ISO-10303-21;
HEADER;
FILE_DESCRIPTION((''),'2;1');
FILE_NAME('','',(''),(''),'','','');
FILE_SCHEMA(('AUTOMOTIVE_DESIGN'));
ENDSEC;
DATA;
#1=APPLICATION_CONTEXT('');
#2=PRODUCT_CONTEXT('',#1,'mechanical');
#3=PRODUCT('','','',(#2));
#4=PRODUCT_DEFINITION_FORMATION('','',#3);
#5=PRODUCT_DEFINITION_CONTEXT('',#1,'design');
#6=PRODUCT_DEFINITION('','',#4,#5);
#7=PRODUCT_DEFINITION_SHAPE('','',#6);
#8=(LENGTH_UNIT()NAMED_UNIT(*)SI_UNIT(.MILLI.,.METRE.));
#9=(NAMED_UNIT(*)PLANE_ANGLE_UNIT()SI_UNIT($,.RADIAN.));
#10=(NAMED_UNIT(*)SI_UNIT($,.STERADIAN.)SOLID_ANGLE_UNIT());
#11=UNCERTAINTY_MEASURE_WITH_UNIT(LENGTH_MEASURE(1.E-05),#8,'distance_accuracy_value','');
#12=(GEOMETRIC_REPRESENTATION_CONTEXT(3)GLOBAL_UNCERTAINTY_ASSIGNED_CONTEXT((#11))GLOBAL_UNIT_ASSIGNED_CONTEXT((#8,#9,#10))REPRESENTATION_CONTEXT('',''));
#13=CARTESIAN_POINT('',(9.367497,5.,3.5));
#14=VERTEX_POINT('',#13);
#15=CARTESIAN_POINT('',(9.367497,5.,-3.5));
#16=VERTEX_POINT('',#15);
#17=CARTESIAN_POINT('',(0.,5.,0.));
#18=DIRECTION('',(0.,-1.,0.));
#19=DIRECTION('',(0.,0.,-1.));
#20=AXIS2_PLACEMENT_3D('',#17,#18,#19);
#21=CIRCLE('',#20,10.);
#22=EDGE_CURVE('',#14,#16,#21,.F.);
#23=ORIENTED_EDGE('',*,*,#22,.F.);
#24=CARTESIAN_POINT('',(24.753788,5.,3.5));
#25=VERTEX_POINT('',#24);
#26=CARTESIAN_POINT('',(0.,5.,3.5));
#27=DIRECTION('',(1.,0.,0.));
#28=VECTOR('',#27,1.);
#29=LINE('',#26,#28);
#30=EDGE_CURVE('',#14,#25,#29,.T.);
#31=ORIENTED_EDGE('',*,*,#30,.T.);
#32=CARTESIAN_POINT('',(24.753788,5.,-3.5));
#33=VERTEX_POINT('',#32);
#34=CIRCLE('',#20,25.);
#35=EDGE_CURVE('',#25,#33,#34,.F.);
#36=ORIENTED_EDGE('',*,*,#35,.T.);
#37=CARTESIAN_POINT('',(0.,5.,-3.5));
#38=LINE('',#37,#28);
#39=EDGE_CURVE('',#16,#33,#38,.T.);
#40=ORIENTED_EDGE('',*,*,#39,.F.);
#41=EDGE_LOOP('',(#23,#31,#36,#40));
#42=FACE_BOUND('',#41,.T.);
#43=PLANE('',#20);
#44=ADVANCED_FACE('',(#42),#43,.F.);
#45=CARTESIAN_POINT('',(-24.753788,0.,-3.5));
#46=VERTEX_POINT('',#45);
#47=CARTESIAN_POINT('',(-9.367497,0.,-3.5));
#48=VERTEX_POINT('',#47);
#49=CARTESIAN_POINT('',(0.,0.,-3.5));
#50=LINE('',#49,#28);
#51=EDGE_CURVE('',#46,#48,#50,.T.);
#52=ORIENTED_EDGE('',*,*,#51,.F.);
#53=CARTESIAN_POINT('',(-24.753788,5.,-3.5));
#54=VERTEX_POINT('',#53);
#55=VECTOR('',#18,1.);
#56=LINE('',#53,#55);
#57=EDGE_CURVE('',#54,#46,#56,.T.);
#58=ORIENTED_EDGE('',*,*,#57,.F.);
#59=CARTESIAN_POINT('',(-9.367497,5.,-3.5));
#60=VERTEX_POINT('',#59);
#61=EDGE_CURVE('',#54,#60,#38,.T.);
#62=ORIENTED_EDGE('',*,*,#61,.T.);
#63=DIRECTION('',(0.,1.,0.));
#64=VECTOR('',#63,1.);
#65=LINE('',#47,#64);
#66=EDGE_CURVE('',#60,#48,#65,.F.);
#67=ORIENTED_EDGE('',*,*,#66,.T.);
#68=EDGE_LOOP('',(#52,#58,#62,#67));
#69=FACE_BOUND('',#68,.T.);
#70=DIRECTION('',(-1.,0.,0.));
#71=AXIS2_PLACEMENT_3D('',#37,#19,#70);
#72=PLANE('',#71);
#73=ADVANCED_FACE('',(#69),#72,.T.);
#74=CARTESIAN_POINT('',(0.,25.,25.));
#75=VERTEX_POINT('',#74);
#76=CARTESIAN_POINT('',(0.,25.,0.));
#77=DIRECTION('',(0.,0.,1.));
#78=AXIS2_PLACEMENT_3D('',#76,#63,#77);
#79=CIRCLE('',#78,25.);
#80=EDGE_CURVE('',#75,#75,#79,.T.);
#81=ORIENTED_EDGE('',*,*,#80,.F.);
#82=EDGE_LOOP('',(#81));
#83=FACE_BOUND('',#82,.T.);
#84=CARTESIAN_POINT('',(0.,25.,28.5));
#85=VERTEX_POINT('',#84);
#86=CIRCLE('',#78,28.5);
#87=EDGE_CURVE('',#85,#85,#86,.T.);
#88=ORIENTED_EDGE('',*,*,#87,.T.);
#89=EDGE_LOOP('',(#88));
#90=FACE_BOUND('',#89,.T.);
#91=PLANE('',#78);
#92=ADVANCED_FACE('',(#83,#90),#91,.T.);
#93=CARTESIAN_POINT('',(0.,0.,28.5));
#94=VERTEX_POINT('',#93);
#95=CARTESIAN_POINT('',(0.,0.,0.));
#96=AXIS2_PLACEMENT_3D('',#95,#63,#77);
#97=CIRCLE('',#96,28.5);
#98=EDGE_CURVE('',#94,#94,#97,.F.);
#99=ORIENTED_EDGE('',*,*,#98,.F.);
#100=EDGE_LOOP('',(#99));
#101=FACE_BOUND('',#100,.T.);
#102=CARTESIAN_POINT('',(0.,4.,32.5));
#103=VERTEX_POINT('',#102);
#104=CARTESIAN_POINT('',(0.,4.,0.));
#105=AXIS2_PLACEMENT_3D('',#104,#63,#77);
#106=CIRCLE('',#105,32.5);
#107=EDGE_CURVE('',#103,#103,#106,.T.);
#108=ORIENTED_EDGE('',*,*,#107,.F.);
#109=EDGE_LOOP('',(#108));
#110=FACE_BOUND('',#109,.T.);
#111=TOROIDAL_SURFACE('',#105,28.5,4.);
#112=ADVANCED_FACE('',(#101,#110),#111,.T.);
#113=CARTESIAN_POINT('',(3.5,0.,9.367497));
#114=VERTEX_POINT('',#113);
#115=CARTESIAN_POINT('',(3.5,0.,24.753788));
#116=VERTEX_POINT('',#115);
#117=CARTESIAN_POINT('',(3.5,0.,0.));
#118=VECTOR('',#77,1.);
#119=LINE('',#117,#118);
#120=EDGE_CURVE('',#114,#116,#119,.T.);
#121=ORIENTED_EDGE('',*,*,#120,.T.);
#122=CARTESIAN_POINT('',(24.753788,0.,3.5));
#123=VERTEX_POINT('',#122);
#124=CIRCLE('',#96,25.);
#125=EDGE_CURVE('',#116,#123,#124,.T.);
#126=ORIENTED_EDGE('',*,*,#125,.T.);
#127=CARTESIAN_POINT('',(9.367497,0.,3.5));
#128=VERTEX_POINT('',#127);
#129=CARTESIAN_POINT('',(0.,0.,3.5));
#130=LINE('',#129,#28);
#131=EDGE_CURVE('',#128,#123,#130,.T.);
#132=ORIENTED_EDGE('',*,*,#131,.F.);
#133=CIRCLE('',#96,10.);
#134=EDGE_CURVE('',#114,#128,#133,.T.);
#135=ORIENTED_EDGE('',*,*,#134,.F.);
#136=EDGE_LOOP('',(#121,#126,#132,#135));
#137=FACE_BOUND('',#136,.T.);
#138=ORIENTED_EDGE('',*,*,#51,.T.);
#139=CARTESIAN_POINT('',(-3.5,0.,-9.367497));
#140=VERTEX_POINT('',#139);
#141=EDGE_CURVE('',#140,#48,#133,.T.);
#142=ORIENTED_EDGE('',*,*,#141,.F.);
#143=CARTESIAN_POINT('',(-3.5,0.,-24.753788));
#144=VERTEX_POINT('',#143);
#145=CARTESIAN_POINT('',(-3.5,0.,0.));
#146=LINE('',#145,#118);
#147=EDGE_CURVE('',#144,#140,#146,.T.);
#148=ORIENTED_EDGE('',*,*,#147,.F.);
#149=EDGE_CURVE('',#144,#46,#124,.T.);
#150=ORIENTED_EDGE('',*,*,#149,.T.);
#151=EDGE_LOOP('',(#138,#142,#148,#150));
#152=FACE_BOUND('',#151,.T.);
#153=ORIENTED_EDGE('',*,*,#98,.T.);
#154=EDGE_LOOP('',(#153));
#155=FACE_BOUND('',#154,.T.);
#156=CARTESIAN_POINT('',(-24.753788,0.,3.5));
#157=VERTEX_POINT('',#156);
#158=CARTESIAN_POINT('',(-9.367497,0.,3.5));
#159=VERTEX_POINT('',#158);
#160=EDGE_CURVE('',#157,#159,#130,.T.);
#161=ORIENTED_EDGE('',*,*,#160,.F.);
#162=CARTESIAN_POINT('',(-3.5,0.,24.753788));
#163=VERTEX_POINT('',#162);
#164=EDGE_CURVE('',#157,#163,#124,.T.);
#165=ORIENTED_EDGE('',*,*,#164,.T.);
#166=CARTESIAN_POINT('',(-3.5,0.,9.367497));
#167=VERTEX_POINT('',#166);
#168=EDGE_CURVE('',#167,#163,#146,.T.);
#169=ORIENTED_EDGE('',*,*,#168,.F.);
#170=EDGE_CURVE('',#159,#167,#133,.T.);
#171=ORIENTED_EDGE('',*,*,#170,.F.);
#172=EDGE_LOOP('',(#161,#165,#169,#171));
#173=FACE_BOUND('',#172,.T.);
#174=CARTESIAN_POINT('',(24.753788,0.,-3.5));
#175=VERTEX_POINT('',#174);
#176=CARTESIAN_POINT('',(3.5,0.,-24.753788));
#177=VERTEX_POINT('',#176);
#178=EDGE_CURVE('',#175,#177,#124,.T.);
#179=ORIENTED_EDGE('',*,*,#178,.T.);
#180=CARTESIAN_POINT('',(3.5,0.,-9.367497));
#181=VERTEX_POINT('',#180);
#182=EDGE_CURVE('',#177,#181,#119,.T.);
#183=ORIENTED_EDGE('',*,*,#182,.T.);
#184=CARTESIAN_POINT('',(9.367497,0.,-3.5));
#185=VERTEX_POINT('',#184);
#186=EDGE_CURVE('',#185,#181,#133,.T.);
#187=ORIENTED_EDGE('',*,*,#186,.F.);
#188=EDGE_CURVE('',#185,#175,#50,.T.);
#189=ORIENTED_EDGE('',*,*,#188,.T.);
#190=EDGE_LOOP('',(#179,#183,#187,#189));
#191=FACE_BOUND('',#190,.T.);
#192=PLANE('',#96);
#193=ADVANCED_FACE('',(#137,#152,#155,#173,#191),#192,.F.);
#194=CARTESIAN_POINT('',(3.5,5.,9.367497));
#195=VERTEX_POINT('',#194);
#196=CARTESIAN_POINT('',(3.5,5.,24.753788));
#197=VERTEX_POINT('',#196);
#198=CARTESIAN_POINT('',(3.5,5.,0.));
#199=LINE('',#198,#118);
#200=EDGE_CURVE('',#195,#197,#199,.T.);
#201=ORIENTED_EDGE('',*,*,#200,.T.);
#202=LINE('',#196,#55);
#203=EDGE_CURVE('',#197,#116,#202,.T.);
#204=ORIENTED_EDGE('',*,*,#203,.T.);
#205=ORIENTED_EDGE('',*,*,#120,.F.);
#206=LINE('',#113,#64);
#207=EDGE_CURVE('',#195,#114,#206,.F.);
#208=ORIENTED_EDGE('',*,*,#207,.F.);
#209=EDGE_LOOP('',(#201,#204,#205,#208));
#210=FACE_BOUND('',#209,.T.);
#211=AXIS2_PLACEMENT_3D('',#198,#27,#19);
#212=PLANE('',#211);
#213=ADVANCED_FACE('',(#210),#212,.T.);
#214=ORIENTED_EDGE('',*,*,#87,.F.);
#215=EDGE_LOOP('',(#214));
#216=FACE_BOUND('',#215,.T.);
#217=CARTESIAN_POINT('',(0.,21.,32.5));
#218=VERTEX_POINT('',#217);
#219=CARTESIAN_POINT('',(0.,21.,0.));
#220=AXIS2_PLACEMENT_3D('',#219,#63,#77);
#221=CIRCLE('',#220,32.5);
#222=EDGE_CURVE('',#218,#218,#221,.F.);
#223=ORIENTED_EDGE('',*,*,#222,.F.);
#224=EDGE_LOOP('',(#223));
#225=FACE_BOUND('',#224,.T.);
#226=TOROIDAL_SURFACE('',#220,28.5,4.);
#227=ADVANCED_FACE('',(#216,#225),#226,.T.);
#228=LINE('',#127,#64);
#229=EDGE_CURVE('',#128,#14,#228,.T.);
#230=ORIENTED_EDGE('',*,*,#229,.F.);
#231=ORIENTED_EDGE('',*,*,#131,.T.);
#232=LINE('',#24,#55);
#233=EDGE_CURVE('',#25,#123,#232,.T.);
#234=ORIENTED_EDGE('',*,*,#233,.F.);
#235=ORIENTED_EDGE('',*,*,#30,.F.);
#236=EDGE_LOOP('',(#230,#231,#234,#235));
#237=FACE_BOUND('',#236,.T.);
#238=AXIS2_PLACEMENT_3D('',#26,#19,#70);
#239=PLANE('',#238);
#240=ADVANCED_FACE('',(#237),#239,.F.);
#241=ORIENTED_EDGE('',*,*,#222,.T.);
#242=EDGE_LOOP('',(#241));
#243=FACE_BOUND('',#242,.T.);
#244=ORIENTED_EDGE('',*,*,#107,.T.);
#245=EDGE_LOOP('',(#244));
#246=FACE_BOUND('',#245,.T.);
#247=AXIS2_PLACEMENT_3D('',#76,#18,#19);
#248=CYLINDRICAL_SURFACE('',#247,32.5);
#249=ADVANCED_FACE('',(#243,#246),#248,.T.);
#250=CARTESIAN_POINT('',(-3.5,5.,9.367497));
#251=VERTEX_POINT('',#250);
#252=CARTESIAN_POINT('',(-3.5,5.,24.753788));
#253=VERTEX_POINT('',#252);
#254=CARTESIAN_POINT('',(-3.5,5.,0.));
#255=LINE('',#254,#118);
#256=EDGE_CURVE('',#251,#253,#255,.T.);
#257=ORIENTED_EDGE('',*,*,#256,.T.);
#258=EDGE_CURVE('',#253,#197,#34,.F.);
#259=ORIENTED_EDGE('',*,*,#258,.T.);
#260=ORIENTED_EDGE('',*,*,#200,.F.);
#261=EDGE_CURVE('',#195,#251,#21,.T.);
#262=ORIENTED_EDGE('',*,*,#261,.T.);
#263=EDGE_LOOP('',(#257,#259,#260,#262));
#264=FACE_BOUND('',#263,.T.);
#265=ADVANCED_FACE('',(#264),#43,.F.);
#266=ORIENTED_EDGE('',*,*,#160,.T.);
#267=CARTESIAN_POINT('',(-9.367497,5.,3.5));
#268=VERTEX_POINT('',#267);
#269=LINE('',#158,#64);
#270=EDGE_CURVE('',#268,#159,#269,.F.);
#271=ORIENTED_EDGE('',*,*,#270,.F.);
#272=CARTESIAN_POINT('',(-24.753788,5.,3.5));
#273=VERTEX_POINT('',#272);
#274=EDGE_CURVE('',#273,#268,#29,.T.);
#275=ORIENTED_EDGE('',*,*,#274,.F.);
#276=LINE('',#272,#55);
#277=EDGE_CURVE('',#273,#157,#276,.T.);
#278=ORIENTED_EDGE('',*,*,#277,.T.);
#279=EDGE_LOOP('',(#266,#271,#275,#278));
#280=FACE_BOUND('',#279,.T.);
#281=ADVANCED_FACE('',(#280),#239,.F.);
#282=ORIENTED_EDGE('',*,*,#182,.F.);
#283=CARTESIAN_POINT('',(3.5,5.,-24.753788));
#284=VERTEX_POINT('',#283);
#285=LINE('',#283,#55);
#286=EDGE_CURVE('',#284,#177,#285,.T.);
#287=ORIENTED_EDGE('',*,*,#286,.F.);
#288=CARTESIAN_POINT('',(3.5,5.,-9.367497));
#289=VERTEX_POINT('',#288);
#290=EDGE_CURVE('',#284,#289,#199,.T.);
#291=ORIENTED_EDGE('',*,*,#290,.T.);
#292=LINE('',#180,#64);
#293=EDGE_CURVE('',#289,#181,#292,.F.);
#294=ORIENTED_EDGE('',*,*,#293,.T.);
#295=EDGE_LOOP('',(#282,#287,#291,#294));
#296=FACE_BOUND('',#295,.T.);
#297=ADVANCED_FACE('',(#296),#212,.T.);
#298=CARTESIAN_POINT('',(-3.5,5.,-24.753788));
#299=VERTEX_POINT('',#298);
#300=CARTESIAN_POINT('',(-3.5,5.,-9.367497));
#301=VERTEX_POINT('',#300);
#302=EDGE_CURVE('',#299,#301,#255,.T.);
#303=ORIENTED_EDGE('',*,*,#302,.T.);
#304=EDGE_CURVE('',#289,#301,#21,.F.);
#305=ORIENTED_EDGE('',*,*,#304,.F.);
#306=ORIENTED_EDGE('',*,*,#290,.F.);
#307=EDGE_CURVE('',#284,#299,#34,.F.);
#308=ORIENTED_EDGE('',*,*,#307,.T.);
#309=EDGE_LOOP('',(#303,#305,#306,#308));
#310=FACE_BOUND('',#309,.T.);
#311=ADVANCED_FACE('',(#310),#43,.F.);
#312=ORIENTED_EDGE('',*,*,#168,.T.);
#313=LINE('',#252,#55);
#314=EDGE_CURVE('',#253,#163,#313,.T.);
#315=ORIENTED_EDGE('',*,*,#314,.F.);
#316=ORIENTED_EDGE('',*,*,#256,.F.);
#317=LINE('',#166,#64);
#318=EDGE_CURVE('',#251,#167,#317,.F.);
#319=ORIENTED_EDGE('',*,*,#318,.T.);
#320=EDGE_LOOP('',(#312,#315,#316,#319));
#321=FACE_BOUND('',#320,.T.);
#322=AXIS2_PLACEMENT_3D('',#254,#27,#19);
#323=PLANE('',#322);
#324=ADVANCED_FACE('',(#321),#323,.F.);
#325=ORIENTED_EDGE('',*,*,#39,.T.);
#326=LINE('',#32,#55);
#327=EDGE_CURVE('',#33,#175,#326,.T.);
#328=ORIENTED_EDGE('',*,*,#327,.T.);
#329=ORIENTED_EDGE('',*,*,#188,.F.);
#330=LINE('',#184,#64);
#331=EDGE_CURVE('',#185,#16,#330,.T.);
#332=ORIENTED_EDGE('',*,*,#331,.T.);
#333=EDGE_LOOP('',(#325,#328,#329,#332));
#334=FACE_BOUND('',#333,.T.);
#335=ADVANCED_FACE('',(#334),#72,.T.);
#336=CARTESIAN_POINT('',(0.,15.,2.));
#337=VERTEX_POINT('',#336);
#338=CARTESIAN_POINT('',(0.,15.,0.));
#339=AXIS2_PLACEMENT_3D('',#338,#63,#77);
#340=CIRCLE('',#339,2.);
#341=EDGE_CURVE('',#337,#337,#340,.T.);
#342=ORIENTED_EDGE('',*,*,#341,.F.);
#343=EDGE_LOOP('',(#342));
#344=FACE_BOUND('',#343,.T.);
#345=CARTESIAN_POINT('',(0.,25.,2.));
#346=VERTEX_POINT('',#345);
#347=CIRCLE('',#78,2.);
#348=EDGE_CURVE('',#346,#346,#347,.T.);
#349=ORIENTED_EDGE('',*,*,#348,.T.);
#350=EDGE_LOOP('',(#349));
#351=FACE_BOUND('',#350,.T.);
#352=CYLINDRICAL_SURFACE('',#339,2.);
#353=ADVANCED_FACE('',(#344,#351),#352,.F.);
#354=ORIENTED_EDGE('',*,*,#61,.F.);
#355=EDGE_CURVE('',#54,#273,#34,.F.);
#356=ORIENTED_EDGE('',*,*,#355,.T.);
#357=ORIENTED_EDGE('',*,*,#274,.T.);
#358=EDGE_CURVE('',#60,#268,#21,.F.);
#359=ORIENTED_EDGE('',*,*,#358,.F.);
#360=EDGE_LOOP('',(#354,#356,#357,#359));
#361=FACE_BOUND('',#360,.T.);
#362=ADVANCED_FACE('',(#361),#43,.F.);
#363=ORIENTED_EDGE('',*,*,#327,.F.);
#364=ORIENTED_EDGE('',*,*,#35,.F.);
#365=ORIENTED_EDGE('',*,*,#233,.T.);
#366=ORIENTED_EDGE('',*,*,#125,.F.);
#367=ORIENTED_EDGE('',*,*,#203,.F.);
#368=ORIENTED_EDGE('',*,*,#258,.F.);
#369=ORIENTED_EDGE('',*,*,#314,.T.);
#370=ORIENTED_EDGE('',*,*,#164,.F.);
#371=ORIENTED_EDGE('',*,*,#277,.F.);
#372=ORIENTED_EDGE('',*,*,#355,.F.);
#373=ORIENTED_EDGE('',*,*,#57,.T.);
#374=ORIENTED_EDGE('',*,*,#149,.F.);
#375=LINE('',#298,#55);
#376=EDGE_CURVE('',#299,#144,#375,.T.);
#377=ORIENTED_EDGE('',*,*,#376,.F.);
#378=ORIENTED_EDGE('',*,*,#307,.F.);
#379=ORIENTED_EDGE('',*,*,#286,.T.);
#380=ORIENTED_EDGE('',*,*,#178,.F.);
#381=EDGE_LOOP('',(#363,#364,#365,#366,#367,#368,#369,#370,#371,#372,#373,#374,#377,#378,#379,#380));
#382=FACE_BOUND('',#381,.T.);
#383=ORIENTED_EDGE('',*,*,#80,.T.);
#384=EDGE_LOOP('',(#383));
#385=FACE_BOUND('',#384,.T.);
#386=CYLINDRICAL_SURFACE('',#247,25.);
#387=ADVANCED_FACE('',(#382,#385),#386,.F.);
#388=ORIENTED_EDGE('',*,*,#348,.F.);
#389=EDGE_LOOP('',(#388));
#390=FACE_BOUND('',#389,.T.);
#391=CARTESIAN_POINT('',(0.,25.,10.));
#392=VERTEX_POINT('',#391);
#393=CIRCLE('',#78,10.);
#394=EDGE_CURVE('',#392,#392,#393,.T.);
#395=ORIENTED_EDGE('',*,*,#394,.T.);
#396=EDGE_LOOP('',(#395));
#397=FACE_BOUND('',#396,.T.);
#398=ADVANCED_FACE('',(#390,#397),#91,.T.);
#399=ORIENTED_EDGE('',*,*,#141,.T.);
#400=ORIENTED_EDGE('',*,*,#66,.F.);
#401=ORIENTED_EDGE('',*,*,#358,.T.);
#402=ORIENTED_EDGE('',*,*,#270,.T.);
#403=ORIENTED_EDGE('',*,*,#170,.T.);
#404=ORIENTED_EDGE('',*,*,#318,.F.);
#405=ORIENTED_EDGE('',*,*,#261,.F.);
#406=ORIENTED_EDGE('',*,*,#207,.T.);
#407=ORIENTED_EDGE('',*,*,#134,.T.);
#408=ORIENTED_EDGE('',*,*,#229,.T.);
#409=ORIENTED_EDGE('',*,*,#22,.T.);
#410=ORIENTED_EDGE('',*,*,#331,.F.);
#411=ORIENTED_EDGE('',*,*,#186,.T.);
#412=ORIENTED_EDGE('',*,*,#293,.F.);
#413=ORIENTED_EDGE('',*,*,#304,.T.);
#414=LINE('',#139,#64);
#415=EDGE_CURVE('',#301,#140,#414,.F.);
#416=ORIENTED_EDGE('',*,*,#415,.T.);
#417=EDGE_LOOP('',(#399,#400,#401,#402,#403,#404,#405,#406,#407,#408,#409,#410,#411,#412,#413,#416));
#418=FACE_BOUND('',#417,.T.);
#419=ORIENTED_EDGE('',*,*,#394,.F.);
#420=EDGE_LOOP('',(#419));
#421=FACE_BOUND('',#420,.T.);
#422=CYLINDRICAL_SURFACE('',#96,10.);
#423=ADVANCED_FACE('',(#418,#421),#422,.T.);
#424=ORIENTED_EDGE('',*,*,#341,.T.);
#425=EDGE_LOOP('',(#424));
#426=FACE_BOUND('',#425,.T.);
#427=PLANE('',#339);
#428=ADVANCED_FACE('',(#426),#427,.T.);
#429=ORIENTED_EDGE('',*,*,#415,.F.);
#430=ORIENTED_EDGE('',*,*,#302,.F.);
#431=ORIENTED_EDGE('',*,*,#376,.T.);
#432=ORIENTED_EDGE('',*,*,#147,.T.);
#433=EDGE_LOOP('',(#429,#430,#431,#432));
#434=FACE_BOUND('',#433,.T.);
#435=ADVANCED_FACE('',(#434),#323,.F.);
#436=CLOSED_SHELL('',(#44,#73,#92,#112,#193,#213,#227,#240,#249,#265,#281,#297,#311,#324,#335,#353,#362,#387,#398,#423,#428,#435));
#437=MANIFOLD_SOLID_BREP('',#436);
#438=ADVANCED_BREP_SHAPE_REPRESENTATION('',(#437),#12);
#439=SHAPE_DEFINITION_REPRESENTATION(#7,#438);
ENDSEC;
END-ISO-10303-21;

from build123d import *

# Parameters (mm, degrees)
SKETCH1_R           = 32.5
SKETCH1_R_2         = 25
BOSS_EXTRUDE1_DEPTH = 25
SKETCH2_R           = 10
BOSS_EXTRUDE3_DEPTH = 25
SKETCH4_R           = 2
CUT_EXTRUDE1_DEPTH  = 10
BOSS_EXTRUDE5_DEPTH = 5
FILLET4_R           = 4


with BuildPart() as part:
    # Sketch1 → Boss-Extrude1 (new body)
    with BuildSketch(Plane(origin=(0, 0, 0), x_dir=(1, 0, 0), z_dir=(0, 1, 0))):
        with Locations(Location((0, 0, 0), (0, 0, 270))):
            Circle(SKETCH1_R)
        with Locations(Location((0, 0, 0), (0, 0, 270))):
            Circle(SKETCH1_R_2, mode=Mode.SUBTRACT)
    extrude(amount=BOSS_EXTRUDE1_DEPTH)



with BuildPart() as body_2:
    # Sketch2 → Boss-Extrude3 (new body)
    with BuildSketch(Plane(origin=(0, 25, 0), x_dir=(1, 0, 0), z_dir=(0, 1, 0))):
        with Locations(Location((0, 0, 0), (0, 0, 270))):
            Circle(SKETCH2_R)
    extrude(amount=-BOSS_EXTRUDE3_DEPTH)

    # Sketch4 → Cut-Extrude1 (cut)
    with BuildSketch(Plane(origin=(0, 25, 0), x_dir=(1, 0, 0), z_dir=(0, 1, 0))):
        with Locations(Location((0, 0, 0), (0, 0, 270))):
            Circle(SKETCH4_R)
    extrude(amount=-CUT_EXTRUDE1_DEPTH, mode=Mode.SUBTRACT)


with BuildPart() as part_1:
    add(part.part)

    add(body_2.part)  # Boss-Extrude5 merges body 2
    # Sketch6 → Boss-Extrude5 (add)
    with BuildSketch(Plane(origin=(0, 0, 0), x_dir=(-1, 0, 0), z_dir=(0, -1, 0))):
        with BuildLine():
            Line((3.5, 3.5), (3.5, 25))
            ThreePointArc((3.5, 25), (0, 28.5), (-3.5, 25))
            Line((-3.5, 25), (-3.5, 3.5))
            Line((-3.5, 3.5), (3.5, 3.5))
        make_face()
        with BuildLine():
            Line((25, 3.5), (3.5, 3.5))
            Line((3.5, 3.5), (3.5, -3.5))
            Line((3.5, -3.5), (25, -3.5))
            ThreePointArc((25, -3.5), (28.5, 0), (25, 3.5))
        make_face()
        with BuildLine():
            Line((3.5, -25), (3.5, -3.5))
            Line((3.5, -3.5), (-3.5, -3.5))
            Line((-3.5, -3.5), (-3.5, -25))
            ThreePointArc((-3.5, -25), (0, -28.5), (3.5, -25))
        make_face()
        with BuildLine():
            Line((-3.5, -3.5), (-3.5, 3.5))
            Line((-3.5, 3.5), (-25, 3.5))
            ThreePointArc((-25, 3.5), (-28.5, 0), (-25, -3.5))
            Line((-25, -3.5), (-3.5, -3.5))
        make_face()
    extrude(amount=-BOSS_EXTRUDE5_DEPTH)

    # Fillet4
    fillet4_edges = [part_1.edges().sort_by_distance(p)[0] for p in [
        (0, 0, -32.5),
        (0, 25, -32.5),
    ]]
    fillet(fillet4_edges, radius=FILLET4_R)


solid = part_1.part
